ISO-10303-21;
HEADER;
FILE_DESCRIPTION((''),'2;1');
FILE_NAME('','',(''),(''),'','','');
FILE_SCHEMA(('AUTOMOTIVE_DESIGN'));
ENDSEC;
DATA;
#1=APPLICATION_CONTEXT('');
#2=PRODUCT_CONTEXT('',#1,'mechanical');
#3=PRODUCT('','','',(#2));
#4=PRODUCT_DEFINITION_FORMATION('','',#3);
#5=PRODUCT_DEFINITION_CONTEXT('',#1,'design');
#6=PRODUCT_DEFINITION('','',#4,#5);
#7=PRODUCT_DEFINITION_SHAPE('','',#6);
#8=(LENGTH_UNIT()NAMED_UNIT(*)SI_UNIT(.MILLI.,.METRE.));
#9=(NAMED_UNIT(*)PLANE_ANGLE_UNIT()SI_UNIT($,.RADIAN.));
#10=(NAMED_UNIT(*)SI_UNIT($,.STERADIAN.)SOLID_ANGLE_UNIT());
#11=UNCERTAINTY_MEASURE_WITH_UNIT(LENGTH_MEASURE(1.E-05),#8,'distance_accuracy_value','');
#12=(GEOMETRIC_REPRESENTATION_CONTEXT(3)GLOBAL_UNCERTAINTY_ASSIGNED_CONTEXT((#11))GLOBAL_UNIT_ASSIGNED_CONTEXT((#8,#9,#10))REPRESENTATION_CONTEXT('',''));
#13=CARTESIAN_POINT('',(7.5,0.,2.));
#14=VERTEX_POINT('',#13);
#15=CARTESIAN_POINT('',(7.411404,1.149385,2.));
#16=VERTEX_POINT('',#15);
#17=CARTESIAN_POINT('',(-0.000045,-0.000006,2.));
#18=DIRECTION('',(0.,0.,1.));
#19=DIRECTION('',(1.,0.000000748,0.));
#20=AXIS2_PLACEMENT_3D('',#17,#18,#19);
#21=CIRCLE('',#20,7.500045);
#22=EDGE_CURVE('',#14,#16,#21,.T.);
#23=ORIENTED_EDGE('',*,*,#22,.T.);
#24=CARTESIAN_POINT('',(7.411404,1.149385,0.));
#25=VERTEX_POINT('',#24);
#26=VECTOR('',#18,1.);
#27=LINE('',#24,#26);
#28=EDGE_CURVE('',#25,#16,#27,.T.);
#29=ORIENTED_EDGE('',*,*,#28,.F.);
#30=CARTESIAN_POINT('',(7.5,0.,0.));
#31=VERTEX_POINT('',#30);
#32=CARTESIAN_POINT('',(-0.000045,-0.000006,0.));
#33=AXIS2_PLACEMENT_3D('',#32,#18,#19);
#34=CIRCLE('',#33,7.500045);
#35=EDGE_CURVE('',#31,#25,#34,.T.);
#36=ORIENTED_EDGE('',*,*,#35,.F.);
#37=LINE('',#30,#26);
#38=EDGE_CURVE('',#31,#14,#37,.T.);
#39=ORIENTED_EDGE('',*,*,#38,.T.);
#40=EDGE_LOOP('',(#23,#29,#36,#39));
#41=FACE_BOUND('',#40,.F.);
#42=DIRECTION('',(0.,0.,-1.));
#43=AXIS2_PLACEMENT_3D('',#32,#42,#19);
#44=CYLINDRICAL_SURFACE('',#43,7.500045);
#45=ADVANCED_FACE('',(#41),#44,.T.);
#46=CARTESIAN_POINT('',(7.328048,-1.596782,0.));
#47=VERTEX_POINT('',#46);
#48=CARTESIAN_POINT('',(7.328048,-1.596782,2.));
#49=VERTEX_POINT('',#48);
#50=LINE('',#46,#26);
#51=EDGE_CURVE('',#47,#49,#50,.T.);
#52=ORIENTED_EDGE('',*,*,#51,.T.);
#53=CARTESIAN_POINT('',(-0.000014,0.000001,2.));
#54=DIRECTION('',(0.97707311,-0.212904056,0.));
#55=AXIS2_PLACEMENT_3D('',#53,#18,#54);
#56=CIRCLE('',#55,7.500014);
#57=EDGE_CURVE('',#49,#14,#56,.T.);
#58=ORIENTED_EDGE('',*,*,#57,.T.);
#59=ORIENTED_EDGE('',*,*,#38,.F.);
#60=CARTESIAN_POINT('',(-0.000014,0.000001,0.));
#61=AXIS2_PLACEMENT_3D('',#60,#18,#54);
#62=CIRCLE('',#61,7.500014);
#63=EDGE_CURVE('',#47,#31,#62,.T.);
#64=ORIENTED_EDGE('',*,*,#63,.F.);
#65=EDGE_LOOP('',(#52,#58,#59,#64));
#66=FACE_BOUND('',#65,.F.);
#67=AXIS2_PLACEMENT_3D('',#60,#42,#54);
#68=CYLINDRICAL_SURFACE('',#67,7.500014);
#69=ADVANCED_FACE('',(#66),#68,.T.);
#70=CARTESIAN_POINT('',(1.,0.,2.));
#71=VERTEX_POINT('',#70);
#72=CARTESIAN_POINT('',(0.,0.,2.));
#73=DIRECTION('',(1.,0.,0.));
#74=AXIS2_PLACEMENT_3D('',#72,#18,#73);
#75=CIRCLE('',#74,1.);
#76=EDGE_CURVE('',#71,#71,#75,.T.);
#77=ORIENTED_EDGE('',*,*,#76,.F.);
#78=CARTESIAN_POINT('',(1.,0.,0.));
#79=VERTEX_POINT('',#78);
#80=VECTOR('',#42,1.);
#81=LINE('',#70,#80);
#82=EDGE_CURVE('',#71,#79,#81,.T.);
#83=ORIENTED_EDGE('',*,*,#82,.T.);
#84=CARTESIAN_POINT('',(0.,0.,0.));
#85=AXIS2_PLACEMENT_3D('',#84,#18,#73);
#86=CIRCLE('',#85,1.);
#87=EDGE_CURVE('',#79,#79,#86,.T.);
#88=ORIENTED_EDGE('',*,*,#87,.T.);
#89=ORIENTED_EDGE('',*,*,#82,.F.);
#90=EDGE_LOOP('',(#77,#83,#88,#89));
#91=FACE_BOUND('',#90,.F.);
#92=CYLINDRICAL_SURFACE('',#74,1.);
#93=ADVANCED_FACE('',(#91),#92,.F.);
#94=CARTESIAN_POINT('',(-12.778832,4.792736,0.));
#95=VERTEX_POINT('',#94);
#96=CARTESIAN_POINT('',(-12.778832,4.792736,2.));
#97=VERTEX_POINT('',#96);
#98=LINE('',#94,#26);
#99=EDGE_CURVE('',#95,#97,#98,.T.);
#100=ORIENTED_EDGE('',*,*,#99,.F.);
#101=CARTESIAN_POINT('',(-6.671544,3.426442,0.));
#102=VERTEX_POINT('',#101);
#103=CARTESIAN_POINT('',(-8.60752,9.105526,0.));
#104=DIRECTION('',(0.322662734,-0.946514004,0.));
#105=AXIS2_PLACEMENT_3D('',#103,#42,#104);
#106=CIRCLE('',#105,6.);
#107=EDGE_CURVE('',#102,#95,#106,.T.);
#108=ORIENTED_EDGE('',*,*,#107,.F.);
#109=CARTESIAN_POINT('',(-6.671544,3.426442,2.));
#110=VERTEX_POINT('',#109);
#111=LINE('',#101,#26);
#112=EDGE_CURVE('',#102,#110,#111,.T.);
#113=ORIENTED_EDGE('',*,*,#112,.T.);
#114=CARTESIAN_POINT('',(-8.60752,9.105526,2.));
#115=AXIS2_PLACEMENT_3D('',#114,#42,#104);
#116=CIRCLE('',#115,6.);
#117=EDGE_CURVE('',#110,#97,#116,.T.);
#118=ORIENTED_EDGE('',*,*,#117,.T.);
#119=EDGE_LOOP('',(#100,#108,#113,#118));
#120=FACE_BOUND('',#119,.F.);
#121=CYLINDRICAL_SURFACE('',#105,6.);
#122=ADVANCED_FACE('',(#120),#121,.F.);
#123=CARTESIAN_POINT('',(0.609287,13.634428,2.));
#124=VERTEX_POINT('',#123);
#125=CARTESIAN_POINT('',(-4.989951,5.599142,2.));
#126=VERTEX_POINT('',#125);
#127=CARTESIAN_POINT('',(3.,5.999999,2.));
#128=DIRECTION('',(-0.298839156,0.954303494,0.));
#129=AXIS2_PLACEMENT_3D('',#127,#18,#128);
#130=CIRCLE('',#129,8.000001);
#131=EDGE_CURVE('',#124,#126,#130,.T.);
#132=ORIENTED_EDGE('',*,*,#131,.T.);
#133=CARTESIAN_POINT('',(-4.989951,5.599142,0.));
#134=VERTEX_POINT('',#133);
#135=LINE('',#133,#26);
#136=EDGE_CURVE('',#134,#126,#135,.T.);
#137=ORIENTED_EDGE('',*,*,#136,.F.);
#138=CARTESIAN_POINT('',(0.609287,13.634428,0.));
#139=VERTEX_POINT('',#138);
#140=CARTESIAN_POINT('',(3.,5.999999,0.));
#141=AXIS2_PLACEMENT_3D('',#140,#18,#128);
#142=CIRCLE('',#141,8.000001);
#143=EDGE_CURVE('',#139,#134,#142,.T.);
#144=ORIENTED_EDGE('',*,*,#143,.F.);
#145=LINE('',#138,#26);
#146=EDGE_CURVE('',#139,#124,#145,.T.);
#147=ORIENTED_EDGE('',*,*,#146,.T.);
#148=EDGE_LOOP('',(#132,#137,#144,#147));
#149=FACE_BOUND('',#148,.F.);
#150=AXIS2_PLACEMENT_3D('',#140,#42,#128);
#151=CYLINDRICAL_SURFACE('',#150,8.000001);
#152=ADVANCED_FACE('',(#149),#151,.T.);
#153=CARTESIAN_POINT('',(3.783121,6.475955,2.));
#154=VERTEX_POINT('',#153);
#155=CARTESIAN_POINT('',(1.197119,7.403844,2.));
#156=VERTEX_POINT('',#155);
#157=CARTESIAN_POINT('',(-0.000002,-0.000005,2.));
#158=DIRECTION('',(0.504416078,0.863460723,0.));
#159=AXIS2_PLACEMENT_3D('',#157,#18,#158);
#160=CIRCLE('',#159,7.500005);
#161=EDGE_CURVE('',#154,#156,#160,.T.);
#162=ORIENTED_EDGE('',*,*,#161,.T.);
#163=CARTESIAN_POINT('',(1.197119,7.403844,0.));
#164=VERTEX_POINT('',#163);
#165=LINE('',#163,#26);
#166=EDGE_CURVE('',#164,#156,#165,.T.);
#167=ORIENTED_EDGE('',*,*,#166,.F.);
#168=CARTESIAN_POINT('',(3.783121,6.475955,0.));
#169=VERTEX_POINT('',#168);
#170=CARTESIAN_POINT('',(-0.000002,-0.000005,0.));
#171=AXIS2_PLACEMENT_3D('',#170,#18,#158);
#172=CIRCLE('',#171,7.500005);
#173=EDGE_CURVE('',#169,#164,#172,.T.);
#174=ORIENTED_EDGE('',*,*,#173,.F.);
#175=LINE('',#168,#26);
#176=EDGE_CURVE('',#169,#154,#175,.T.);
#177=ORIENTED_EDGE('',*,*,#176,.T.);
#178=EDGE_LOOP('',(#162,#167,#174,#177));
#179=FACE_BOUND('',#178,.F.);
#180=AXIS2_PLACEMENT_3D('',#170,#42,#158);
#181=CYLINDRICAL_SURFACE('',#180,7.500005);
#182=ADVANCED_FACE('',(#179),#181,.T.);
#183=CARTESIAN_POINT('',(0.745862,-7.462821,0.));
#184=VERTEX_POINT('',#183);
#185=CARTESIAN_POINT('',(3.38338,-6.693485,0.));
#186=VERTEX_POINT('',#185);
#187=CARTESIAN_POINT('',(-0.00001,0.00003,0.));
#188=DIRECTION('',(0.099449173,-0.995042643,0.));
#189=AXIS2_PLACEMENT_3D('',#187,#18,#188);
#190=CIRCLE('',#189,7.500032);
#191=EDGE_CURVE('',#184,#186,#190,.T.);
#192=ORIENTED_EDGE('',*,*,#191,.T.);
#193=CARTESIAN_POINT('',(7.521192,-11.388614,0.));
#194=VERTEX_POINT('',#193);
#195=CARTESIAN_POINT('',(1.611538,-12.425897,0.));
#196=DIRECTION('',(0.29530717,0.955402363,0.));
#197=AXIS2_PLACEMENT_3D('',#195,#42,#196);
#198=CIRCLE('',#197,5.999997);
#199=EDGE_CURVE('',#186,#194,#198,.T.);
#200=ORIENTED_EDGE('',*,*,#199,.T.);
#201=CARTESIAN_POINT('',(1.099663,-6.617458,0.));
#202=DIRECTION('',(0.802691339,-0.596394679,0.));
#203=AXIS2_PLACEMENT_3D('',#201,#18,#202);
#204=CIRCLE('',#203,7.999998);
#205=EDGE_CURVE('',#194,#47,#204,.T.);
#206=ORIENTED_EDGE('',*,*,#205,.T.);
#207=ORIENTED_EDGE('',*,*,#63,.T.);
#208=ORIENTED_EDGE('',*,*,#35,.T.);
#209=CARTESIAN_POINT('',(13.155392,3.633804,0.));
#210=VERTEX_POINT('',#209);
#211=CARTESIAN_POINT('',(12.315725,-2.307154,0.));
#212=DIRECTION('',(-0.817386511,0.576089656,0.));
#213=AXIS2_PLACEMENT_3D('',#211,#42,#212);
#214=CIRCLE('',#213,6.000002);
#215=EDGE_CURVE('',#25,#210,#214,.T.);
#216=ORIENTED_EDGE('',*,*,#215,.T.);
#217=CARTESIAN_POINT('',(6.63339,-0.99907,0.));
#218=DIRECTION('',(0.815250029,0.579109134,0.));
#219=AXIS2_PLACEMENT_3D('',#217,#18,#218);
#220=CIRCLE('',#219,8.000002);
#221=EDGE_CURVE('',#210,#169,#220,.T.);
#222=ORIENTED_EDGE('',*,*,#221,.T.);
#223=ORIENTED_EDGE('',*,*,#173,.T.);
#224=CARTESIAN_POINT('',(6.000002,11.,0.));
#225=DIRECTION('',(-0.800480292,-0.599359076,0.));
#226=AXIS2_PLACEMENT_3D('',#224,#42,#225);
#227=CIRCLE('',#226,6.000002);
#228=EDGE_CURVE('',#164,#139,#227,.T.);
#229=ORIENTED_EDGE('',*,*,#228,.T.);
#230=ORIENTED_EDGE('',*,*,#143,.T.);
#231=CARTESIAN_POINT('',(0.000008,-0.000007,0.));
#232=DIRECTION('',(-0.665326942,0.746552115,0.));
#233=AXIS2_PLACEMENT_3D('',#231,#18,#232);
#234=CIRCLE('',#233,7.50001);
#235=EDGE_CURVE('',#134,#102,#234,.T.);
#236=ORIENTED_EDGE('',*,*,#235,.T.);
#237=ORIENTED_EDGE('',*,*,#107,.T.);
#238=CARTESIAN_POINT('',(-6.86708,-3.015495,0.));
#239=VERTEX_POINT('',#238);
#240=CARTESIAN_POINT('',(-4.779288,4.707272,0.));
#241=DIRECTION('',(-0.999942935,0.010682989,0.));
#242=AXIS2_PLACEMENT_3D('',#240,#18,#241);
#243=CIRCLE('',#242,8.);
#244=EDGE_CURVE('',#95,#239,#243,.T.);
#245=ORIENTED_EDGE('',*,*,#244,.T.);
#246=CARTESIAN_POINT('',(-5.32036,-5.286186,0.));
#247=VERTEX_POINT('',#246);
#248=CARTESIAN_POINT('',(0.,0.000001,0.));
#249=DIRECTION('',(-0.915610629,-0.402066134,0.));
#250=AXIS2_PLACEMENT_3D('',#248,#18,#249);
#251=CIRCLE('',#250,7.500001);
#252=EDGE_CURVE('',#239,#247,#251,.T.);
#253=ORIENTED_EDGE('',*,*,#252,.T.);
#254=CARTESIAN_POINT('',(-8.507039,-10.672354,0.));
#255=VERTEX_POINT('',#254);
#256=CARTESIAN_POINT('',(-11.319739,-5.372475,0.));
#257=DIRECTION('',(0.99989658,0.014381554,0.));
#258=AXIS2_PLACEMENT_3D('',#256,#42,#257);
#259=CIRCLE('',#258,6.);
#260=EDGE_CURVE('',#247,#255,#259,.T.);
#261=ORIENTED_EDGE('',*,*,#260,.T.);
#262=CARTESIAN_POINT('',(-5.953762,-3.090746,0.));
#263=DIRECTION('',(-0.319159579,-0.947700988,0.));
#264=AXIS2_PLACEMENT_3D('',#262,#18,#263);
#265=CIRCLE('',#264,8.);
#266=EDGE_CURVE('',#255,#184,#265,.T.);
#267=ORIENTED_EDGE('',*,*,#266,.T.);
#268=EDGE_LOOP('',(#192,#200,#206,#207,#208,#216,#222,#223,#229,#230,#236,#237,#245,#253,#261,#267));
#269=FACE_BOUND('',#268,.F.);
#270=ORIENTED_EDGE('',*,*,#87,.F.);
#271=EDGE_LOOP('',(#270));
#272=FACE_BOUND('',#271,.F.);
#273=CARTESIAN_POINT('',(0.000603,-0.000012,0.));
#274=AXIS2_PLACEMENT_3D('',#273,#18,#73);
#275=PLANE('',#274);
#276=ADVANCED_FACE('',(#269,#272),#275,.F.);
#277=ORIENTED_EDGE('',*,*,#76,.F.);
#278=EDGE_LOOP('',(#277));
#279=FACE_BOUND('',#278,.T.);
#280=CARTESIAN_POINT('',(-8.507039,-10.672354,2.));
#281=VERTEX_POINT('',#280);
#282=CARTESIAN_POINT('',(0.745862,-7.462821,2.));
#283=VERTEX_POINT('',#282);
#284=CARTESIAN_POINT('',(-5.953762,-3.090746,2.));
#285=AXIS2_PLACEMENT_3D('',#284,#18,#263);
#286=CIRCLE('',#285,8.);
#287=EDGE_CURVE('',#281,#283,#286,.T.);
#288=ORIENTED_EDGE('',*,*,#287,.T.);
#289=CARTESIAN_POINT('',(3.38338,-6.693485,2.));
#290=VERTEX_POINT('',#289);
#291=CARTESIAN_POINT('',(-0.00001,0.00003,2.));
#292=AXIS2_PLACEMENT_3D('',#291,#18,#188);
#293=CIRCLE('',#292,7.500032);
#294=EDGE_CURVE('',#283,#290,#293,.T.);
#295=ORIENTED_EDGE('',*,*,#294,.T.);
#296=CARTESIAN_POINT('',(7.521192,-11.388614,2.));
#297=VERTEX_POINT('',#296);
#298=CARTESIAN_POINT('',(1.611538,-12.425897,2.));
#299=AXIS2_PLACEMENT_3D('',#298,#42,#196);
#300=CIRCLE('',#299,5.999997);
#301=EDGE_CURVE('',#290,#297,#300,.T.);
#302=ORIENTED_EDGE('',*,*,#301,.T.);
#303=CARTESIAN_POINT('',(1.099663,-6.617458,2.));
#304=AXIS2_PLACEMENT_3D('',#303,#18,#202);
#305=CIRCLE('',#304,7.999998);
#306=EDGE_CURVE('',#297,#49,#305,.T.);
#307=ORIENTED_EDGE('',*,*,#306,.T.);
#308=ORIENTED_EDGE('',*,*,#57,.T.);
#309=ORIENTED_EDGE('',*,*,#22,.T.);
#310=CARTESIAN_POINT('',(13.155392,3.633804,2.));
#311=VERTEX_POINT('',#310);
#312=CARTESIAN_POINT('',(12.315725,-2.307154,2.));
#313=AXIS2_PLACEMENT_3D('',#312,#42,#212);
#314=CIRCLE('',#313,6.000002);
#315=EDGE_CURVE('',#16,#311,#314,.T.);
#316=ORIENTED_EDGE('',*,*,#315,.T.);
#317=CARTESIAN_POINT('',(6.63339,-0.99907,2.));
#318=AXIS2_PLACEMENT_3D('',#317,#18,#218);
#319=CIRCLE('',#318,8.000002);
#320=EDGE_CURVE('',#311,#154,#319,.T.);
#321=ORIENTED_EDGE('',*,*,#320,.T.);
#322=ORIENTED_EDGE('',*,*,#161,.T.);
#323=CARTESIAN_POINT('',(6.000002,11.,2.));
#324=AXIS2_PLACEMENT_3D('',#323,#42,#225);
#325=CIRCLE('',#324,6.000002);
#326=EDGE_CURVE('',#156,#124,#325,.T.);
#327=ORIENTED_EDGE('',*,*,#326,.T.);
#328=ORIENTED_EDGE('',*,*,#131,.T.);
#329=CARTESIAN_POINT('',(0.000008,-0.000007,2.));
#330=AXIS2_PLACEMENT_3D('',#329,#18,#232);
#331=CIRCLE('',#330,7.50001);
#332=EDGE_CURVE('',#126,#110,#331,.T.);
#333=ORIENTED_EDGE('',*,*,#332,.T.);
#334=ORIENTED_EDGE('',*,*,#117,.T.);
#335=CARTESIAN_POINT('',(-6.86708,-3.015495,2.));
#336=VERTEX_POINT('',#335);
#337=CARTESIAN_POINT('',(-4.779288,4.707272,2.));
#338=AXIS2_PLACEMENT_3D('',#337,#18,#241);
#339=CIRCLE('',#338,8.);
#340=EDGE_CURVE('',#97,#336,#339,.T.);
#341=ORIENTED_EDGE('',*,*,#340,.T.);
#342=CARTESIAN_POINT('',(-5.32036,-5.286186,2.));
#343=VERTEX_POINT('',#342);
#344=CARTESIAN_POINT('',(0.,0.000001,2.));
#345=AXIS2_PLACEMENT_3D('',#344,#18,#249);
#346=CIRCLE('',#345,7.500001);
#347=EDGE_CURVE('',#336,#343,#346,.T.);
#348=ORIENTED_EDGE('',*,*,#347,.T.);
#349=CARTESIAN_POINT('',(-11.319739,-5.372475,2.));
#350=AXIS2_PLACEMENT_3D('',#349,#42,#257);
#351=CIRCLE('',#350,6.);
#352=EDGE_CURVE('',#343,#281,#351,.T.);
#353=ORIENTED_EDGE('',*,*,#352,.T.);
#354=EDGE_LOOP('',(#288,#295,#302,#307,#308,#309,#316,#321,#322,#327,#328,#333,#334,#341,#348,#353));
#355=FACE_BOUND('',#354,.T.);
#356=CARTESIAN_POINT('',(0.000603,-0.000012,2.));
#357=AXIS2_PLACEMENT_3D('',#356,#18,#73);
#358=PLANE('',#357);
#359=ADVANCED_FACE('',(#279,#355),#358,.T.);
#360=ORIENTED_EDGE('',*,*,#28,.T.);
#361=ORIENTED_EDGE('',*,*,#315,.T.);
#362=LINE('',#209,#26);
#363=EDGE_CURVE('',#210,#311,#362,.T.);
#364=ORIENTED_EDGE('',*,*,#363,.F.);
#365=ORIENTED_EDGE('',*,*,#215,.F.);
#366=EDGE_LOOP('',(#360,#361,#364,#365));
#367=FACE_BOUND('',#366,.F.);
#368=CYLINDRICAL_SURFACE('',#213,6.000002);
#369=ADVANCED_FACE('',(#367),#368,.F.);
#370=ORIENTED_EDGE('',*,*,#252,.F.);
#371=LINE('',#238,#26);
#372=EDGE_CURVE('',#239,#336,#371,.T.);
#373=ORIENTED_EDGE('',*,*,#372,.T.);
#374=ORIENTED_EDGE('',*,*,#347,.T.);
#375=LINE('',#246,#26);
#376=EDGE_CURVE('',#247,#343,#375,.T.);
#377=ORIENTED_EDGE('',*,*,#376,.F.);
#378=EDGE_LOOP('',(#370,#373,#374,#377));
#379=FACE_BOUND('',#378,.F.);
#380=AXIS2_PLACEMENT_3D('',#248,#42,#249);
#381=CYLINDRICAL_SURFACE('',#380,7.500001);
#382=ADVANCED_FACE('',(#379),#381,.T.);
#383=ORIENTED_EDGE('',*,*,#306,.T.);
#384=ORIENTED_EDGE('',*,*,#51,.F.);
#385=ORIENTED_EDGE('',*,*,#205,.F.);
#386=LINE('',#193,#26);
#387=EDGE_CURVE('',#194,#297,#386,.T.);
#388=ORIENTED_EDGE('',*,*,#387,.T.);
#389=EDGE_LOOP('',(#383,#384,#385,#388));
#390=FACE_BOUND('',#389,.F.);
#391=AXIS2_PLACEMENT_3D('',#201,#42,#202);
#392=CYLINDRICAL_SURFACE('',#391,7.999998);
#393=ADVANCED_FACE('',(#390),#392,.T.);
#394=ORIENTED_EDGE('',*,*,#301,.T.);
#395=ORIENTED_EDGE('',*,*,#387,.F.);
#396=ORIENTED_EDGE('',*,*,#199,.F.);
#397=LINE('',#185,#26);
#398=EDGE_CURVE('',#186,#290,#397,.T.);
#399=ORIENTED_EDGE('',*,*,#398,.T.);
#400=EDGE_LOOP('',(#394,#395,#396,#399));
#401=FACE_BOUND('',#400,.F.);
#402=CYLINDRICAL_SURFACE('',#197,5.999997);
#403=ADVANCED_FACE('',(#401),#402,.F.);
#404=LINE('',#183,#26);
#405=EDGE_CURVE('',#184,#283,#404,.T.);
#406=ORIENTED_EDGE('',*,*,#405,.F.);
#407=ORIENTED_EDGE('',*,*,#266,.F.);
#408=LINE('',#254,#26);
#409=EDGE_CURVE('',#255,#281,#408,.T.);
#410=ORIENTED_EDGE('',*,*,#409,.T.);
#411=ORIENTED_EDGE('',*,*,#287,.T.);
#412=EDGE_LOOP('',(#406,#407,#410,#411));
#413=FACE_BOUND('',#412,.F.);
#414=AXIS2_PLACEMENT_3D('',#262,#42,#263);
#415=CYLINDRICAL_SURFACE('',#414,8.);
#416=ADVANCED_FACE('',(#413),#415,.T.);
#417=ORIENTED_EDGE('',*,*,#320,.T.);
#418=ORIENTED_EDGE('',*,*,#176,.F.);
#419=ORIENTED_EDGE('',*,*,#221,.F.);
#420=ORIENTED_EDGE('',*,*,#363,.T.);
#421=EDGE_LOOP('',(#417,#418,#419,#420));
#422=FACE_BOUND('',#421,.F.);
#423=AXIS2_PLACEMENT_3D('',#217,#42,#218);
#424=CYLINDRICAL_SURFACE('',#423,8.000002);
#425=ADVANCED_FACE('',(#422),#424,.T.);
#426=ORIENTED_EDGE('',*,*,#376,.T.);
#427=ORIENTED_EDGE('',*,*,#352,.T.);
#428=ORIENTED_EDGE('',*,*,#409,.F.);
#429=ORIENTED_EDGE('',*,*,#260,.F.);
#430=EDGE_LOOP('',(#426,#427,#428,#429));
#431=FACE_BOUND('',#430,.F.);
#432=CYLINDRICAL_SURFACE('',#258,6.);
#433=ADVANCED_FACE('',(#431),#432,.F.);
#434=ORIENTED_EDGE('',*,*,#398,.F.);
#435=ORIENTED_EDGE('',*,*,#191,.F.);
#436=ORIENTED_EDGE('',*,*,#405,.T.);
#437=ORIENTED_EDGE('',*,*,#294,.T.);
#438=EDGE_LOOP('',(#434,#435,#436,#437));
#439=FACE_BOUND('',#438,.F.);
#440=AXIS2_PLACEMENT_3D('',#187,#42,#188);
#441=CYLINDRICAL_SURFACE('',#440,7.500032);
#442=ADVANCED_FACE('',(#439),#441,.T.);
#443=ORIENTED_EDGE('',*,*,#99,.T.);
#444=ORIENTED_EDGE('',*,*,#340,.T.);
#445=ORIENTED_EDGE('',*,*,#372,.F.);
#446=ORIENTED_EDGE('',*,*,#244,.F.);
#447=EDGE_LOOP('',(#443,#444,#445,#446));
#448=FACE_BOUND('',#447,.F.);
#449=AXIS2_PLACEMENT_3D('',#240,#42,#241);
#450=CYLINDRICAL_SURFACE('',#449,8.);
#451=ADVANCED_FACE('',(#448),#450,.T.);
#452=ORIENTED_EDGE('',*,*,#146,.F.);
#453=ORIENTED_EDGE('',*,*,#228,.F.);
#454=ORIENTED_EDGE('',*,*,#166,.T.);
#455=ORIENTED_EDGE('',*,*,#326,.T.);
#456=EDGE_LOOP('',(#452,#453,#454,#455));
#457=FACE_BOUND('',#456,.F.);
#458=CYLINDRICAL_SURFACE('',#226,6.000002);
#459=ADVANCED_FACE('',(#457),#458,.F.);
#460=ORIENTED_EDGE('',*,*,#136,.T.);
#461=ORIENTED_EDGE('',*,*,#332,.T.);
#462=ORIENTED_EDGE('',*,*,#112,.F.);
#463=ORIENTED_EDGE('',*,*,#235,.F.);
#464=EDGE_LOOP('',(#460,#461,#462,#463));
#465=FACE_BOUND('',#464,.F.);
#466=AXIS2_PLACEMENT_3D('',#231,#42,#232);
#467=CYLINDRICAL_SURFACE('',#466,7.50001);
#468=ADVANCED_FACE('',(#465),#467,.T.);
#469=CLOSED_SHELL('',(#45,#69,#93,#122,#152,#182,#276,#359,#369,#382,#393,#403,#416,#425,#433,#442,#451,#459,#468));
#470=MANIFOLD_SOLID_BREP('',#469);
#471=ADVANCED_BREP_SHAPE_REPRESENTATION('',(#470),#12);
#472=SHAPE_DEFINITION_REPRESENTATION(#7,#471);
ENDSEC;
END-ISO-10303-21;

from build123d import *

# Parameters (mm, degrees)
F1_DEPTH = 2
F2_R     = 1
F3_DEPTH = 2.001


with BuildPart() as f1:
    # F0 (on Top) → F1 (new body)
    with BuildSketch(Plane.XY):
        with BuildLine():
            ThreePointArc((7.328048, -1.596782), (7.456888, -0.803007), (7.5, 0))
            ThreePointArc((7.5, 0), (7.477818, 0.576397), (7.411404, 1.149385))
            ThreePointArc((7.411404, 1.149385), (6.198583, 4.22227), (3.783121, 6.475955))
            ThreePointArc((3.783121, 6.475955), (2.532971, 7.059324), (1.197119, 7.403844))
            ThreePointArc((1.197119, 7.403844), (-2.10015, 7.199956), (-4.989951, 5.599142))
            ThreePointArc((-4.989951, 5.599142), (-5.931085, 4.59045), (-6.671544, 3.426442))
            ThreePointArc((-6.671544, 3.426442), (-7.496547, 0.227548), (-6.86708, -3.015495))
            ThreePointArc((-6.86708, -3.015495), (-6.198583, -4.22227), (-5.32036, -5.286186))
            ThreePointArc((-5.32036, -5.286186), (-2.532971, -7.059324), (0.745862, -7.462821))
            ThreePointArc((0.745862, -7.462821), (2.10015, -7.199956), (3.38338, -6.693485))
            ThreePointArc((3.38338, -6.693485), (5.931085, -4.59045), (7.328048, -1.596782))
        make_face()
        with BuildLine():
            ThreePointArc((3.783121, 6.475955), (6.198583, 4.22227), (7.411404, 1.149385))
            ThreePointArc((7.411404, 1.149385), (9.933827, 3.199804), (13.155392, 3.633804))
            ThreePointArc((13.155392, 3.633804), (8.954997, 6.656658), (3.783121, 6.475955))
        make_face()
        with BuildLine():
            ThreePointArc((7.521192, -11.388614), (9.098105, -6.459688), (7.328048, -1.596782))
            ThreePointArc((7.328048, -1.596782), (5.931085, -4.59045), (3.38338, -6.693485))
            ThreePointArc((3.38338, -6.693485), (6.112916, -8.458837), (7.521192, -11.388614))
        make_face()
        with BuildLine():
            ThreePointArc((-4.989951, 5.599142), (-2.10015, 7.199956), (1.197119, 7.403844))
            ThreePointArc((1.197119, 7.403844), (0.026527, 10.436425), (0.609287, 13.634428))
            ThreePointArc((0.609287, 13.634428), (-3.563612, 10.573729), (-4.989951, 5.599142))
        make_face()
        with BuildLine():
            ThreePointArc((-8.507039, -10.672354), (-3.332059, -10.648965), (0.745862, -7.462821))
            ThreePointArc((0.745862, -7.462821), (-2.532971, -7.059324), (-5.32036, -5.286186))
            ThreePointArc((-5.32036, -5.286186), (-6.155837, -8.427653), (-8.507039, -10.672354))
        make_face()
        with BuildLine():
            ThreePointArc((-6.86708, -3.015495), (-7.496547, 0.227548), (-6.671544, 3.426442))
            ThreePointArc((-6.671544, 3.426442), (-9.917433, 3.250261), (-12.778832, 4.792736))
            ThreePointArc((-12.778832, 4.792736), (-11.157431, -0.121734), (-6.86708, -3.015495))
        make_face()
    extrude(amount=F1_DEPTH)

    # F2 (on face) → F3 (cut, through all)
    with BuildSketch(Plane.XY.offset(2)):
        Circle(F2_R)
    extrude(amount=-F3_DEPTH, mode=Mode.SUBTRACT)


solid = f1.part
